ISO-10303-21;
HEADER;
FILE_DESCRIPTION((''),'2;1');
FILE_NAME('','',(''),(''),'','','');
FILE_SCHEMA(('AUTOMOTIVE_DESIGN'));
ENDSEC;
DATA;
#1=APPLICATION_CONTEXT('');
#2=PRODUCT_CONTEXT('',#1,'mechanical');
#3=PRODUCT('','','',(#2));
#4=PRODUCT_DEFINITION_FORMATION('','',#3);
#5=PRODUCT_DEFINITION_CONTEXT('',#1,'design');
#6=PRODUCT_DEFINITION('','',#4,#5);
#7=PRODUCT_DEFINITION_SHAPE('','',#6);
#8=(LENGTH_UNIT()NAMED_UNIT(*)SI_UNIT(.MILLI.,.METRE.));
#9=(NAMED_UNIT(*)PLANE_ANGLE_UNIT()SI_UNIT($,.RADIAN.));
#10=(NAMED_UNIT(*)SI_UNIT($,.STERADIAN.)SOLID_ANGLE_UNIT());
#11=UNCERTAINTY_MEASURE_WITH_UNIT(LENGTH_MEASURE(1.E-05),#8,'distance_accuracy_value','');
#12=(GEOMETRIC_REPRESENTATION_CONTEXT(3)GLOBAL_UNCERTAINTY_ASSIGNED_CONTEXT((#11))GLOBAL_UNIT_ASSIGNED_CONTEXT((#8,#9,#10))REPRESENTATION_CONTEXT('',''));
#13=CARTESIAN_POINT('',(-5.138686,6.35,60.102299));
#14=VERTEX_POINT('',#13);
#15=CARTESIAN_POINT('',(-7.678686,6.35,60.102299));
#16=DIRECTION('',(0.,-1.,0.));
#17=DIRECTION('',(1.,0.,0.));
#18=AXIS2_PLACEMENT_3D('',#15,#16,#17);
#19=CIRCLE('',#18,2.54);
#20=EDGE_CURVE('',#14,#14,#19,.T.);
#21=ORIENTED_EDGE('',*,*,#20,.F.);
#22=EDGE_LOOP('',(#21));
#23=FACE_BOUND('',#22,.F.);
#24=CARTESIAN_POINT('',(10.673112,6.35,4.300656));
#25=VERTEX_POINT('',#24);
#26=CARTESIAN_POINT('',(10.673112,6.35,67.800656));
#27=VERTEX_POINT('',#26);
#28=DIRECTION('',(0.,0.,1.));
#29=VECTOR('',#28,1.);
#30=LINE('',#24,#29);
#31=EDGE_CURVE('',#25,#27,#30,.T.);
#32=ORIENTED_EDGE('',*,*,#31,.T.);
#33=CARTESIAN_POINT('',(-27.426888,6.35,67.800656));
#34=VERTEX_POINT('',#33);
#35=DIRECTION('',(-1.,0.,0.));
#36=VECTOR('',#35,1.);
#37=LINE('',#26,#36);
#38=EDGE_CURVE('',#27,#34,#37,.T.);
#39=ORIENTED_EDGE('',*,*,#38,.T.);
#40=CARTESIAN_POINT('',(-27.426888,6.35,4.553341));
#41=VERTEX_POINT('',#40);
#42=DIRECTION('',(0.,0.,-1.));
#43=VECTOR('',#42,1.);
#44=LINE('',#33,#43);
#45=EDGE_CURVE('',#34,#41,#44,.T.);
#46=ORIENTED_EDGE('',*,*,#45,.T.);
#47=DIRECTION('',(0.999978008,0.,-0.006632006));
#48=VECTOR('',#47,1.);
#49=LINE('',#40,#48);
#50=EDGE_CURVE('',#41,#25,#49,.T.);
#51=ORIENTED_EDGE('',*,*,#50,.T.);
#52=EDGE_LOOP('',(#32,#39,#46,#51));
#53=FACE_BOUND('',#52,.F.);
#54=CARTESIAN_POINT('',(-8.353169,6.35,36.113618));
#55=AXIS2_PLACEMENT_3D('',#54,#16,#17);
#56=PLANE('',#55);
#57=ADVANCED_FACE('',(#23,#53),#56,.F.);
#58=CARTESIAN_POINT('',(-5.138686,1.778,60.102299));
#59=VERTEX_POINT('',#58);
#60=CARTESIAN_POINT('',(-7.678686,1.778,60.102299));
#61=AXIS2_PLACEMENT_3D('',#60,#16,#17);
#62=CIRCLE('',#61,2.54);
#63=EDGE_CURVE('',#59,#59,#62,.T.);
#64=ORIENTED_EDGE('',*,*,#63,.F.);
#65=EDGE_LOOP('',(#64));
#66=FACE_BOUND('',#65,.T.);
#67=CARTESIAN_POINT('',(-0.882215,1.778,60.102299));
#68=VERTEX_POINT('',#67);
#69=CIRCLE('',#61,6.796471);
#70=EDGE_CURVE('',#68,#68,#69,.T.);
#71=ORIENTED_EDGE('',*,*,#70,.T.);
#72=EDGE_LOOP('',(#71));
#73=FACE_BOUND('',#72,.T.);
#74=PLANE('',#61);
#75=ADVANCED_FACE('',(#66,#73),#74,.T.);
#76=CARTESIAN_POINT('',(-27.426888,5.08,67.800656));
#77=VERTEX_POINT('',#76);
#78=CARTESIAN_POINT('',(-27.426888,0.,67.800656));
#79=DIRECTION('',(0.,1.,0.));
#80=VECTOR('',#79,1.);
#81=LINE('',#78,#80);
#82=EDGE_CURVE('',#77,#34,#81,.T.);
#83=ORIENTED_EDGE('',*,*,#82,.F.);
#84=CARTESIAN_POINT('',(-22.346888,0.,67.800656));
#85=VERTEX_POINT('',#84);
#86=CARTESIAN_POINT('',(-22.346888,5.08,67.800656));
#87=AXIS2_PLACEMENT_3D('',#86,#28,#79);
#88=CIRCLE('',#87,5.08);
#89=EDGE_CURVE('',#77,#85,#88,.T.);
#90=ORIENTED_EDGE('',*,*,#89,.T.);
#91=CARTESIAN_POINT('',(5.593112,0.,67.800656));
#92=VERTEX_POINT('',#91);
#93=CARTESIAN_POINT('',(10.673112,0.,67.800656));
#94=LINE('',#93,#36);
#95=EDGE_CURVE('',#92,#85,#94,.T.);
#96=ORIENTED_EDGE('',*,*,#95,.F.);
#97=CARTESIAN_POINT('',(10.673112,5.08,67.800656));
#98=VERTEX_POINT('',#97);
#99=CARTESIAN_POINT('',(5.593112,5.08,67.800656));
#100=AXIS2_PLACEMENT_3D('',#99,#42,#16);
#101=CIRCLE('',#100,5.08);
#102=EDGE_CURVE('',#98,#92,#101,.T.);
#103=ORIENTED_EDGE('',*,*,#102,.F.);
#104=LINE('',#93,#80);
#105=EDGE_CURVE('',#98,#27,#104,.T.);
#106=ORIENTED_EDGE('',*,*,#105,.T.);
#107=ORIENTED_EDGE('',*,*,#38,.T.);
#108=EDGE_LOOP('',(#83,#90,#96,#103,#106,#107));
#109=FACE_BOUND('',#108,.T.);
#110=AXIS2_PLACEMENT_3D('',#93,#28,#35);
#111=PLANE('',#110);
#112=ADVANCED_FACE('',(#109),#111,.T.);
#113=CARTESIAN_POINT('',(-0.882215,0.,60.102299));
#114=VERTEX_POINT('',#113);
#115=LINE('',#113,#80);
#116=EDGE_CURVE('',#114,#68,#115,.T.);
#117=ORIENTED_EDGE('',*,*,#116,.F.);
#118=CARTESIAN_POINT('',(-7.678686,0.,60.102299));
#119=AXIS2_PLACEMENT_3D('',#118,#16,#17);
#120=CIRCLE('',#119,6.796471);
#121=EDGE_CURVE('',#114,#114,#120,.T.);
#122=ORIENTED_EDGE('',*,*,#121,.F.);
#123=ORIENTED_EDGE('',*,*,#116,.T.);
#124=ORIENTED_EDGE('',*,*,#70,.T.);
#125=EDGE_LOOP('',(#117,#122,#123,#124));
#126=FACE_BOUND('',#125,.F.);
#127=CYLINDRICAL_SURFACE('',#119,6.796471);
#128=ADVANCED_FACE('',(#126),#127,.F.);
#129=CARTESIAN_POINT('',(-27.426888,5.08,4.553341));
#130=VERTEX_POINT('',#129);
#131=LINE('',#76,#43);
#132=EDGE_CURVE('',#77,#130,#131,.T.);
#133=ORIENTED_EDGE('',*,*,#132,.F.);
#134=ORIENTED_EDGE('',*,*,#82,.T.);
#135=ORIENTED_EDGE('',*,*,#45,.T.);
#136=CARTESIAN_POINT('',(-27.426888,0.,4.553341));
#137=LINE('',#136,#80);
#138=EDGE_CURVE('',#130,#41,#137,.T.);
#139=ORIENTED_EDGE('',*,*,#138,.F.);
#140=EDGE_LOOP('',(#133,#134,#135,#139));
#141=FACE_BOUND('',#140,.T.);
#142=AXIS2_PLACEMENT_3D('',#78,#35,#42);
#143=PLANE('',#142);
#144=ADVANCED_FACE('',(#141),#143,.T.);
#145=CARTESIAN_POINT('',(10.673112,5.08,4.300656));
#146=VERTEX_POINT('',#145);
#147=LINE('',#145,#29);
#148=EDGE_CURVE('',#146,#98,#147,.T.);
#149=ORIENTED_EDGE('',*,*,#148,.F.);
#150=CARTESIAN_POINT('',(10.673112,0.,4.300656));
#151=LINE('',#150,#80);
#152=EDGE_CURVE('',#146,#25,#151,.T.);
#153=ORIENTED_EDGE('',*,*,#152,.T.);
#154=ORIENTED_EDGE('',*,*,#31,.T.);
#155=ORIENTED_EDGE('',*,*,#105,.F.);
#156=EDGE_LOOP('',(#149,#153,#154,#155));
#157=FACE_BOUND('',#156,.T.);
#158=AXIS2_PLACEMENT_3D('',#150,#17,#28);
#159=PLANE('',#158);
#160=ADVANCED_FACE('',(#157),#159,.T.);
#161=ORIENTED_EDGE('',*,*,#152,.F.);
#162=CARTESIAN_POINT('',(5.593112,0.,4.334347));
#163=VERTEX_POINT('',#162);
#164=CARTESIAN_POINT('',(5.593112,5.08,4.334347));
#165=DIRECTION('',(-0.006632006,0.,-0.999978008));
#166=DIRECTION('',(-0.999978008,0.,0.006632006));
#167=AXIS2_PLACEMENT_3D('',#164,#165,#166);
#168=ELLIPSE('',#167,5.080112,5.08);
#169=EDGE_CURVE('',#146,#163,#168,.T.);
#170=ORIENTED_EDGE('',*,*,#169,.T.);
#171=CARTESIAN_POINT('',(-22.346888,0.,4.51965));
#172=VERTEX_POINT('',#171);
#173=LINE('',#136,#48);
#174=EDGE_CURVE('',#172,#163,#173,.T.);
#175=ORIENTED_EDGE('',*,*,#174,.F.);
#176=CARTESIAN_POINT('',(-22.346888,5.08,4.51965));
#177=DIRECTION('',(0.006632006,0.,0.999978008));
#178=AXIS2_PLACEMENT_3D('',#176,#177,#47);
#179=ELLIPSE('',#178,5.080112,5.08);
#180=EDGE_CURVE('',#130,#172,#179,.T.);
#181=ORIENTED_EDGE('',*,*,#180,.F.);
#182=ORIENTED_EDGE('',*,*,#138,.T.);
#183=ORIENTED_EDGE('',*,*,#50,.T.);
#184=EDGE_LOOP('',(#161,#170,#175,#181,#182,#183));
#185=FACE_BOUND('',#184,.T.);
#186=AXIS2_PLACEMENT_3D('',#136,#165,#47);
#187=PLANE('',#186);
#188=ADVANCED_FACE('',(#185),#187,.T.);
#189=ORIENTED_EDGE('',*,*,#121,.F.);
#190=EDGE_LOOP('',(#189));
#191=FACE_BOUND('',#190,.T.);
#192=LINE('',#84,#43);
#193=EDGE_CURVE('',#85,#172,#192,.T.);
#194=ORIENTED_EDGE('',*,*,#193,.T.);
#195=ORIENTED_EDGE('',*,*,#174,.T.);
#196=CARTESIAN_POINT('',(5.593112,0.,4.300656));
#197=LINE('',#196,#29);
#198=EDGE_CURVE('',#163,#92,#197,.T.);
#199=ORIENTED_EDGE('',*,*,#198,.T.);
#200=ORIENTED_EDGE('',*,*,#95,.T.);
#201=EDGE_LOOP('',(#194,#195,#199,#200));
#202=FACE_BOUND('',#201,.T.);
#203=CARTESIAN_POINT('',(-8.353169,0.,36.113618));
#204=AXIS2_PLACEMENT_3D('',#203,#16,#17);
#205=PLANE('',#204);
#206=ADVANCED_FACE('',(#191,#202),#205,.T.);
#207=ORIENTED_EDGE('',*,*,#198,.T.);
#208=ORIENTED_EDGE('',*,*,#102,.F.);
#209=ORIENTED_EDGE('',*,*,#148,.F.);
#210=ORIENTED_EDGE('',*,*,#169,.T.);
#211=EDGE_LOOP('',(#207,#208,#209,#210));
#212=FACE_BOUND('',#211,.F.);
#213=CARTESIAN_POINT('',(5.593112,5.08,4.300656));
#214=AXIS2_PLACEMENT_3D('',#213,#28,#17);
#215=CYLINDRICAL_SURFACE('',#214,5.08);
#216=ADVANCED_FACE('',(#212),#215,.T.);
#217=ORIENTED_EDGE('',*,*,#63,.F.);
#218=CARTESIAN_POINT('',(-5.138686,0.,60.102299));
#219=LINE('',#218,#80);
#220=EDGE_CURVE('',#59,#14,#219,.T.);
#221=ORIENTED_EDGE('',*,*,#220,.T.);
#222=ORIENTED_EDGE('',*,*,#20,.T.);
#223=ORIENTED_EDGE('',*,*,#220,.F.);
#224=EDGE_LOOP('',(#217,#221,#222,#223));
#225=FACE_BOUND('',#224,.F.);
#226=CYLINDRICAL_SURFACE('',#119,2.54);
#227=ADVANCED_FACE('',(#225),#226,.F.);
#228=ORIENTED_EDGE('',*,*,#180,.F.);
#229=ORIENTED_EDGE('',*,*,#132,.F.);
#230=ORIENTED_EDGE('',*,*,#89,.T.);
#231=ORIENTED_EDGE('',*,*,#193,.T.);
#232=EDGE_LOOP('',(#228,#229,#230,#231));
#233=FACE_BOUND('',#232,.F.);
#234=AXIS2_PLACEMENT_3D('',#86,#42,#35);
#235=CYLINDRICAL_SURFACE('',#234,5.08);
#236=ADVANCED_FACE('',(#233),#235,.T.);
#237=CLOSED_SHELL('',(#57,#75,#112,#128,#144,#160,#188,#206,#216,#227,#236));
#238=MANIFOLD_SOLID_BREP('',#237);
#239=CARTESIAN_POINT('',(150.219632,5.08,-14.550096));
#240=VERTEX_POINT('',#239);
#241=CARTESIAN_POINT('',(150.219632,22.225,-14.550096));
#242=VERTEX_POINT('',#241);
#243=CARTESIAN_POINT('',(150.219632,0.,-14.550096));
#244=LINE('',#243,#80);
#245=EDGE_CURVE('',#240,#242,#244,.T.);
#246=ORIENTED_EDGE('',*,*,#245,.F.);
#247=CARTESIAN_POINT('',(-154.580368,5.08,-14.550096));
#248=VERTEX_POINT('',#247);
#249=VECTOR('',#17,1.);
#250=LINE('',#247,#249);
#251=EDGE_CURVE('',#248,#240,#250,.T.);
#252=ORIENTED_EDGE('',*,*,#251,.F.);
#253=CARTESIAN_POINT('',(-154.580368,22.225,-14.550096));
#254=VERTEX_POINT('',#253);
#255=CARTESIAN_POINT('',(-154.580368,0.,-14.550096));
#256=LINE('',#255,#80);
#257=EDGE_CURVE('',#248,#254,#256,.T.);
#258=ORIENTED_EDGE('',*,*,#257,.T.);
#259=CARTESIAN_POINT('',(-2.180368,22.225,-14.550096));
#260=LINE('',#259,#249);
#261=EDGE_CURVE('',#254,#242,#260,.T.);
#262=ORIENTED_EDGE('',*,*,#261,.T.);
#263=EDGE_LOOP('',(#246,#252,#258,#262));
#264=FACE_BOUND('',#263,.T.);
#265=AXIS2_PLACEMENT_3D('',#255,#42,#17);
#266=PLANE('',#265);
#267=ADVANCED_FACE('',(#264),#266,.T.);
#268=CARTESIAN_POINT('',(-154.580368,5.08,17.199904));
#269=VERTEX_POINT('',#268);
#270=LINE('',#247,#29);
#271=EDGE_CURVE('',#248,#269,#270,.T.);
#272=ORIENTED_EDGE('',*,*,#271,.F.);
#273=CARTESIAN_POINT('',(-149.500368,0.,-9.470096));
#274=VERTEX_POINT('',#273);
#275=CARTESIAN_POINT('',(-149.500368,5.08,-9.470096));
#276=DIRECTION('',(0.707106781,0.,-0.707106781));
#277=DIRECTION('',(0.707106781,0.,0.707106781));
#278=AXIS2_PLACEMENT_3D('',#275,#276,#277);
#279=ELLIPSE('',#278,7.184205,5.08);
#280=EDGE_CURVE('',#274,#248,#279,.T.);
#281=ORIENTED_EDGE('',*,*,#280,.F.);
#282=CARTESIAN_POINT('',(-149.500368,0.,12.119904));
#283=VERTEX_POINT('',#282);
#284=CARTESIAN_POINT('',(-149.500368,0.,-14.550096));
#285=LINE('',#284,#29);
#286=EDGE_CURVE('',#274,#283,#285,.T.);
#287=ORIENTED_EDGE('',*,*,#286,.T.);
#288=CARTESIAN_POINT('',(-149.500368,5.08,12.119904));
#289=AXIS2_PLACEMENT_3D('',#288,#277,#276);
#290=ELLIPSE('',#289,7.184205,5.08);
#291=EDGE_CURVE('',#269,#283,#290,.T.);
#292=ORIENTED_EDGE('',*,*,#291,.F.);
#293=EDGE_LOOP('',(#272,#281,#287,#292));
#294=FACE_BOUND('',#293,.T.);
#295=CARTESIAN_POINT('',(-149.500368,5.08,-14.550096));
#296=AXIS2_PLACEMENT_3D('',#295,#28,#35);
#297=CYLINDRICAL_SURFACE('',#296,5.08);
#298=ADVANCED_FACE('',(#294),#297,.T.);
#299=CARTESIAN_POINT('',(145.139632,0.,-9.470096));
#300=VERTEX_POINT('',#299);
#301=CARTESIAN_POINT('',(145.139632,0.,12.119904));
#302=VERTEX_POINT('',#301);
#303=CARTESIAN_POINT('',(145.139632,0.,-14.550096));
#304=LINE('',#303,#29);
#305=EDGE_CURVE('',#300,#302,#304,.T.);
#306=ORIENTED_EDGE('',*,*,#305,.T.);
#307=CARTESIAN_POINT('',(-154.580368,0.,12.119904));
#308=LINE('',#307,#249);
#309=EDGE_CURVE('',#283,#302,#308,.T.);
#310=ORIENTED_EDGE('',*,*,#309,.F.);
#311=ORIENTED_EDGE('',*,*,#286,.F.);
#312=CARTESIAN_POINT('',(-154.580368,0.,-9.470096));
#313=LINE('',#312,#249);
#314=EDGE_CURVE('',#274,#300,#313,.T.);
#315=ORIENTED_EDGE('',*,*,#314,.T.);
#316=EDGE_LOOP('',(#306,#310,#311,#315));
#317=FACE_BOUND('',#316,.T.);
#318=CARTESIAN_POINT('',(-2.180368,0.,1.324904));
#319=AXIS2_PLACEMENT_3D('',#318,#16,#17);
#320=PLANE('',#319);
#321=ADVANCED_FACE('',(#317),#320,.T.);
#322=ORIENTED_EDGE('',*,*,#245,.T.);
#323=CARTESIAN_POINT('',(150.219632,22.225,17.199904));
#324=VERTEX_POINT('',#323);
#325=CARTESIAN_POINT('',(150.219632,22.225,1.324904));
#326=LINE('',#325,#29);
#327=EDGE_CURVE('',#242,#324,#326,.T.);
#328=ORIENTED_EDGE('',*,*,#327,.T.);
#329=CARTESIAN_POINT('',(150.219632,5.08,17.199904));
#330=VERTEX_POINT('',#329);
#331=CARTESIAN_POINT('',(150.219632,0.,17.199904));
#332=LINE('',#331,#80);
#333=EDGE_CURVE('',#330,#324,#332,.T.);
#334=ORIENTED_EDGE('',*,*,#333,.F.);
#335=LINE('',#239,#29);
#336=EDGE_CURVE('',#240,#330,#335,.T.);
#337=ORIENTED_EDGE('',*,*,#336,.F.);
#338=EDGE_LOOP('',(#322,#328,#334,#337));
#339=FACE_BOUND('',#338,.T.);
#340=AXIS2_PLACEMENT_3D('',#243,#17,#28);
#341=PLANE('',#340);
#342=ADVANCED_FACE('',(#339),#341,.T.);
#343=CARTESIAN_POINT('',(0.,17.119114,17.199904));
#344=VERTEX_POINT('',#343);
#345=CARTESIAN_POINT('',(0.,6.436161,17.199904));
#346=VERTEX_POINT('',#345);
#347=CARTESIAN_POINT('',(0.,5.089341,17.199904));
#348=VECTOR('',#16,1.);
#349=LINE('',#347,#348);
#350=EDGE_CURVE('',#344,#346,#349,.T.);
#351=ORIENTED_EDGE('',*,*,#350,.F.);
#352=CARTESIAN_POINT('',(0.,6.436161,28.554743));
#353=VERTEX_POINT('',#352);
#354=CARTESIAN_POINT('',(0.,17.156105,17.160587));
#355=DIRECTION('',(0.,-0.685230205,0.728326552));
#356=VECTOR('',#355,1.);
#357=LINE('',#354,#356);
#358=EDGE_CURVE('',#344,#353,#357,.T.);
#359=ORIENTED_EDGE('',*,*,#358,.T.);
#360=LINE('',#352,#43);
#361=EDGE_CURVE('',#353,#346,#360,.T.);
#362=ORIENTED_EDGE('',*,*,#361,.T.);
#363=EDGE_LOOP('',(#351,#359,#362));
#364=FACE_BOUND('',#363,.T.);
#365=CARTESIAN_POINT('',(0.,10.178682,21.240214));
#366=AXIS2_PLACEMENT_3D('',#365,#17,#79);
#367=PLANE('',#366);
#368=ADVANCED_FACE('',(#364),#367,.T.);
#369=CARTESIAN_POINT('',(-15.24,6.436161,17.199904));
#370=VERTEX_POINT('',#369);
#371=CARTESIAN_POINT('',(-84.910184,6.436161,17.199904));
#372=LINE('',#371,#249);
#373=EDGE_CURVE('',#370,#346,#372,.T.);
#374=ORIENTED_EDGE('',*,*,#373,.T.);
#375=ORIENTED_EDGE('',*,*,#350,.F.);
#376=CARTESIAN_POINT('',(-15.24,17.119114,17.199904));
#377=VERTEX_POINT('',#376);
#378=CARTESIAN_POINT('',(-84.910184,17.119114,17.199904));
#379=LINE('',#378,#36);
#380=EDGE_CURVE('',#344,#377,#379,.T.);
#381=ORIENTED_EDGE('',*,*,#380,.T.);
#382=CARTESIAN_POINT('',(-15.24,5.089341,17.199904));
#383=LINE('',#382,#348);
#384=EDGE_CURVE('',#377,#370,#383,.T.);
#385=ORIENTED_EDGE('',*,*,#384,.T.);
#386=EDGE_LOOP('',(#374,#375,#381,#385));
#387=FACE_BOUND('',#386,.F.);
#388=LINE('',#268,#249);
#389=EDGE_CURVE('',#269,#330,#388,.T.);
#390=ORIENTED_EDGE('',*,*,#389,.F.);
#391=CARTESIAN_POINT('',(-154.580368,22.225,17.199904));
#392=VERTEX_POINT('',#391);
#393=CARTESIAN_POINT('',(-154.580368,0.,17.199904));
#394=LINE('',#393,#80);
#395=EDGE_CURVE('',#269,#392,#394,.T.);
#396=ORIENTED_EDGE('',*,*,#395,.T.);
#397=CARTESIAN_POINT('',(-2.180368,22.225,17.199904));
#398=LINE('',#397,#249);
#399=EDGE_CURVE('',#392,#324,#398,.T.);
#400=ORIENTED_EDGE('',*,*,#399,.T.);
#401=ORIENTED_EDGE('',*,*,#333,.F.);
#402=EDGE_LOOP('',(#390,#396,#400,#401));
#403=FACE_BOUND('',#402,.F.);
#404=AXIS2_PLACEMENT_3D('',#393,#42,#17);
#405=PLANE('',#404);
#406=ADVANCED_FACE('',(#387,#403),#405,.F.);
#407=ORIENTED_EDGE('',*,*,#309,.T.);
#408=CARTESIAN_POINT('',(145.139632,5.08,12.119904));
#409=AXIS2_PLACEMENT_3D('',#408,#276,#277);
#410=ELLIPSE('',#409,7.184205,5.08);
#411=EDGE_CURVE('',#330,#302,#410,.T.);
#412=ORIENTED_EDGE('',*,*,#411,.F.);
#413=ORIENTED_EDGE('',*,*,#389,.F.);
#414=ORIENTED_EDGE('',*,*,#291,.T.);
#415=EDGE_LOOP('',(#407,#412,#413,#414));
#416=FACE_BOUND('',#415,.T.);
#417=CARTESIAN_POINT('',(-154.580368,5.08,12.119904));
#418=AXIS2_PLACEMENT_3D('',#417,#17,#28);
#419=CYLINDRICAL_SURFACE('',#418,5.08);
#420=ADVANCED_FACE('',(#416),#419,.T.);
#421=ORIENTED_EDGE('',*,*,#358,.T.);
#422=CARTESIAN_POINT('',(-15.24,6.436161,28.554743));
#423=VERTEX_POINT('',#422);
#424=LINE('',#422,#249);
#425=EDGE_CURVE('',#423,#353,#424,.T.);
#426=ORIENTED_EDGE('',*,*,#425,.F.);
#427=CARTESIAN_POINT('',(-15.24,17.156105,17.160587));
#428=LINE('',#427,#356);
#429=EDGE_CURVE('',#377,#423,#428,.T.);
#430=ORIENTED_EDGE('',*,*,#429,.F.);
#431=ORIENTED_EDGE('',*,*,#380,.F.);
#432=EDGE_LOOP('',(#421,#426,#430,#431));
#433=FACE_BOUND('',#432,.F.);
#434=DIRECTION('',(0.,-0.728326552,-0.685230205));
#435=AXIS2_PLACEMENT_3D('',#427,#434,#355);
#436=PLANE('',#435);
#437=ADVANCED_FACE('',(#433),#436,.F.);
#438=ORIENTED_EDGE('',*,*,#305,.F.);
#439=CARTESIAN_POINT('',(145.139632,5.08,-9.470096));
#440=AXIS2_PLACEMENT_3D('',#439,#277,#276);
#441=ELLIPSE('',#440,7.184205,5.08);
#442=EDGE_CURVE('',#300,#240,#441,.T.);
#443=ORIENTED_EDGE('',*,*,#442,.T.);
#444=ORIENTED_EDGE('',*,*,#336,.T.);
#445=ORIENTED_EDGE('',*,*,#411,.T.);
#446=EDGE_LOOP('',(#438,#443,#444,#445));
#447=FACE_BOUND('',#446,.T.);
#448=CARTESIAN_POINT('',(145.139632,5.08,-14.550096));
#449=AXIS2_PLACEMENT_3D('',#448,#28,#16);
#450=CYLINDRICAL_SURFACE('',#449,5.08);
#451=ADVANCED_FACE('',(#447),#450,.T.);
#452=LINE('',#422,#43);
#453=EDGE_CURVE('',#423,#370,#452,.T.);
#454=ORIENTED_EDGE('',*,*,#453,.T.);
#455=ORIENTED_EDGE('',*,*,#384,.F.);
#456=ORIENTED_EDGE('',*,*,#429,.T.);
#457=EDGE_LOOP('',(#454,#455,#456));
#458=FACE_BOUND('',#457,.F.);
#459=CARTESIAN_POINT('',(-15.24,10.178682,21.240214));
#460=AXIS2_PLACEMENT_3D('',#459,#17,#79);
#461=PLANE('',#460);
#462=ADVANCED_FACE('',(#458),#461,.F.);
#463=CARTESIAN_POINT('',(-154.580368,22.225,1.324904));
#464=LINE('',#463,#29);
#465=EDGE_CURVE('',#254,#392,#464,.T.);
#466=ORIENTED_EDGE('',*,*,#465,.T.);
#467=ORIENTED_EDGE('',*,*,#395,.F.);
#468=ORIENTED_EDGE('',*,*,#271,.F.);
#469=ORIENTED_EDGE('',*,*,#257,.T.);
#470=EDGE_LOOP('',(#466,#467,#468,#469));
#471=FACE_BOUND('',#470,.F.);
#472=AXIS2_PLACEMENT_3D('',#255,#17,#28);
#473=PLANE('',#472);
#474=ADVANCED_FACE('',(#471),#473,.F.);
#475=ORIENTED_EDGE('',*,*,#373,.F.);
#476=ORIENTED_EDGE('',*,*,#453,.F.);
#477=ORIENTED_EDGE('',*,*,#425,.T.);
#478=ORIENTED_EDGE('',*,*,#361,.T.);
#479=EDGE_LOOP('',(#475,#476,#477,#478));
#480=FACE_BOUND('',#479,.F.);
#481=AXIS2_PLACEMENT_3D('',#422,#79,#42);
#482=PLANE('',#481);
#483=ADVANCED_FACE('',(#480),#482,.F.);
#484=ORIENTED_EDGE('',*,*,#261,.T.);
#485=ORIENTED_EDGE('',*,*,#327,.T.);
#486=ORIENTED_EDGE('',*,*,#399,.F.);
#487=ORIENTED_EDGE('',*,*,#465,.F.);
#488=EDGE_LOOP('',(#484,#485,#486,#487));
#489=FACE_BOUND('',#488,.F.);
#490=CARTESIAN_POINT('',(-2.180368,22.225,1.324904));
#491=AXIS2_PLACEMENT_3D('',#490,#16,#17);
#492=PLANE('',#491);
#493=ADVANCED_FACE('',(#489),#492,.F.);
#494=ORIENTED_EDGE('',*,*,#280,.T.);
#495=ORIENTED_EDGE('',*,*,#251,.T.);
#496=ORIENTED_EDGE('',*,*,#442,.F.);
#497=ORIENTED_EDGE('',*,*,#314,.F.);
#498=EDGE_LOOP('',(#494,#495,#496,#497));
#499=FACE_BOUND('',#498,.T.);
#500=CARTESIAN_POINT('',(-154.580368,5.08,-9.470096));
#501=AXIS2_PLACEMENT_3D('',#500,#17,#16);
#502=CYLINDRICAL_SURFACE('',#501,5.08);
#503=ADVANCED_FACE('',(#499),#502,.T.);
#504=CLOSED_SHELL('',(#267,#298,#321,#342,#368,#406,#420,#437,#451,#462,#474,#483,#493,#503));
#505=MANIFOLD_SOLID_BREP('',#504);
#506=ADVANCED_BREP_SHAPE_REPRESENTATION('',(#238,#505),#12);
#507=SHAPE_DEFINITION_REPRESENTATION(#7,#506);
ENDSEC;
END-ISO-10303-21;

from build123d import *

# Parameters (mm, degrees)
F0_W     = 304.8
F0_H     = 31.75
F1_DEPTH = 22.225
F3_DEPTH = 6.35
F4_R     = 2.54
F5_DEPTH = 25.4
F4_R_2   = 6.796471
F6_DEPTH = 1.778
F9_DEPTH = 15.24
F10_R    = 5.08
F10_2_R  = 5.08


with BuildPart() as f1:
    # F0 (on Front) → F1 (new body)
    with BuildSketch(Plane.XZ):
        with Locations((-2.180368, 1.324904)):
            Rectangle(F0_W, F0_H)
    extrude(amount=-F1_DEPTH)

    # F8 (on offset) → F9 (join)
    with BuildSketch(Plane.YZ.offset(-15.24)):
        Polygon((17.156105, 17.160587), (6.436161, 28.554743), (6.436161, 17.160587), align=None)
    extrude(amount=F9_DEPTH)

    # F10#2
    f10_2_edges = [f1.edges().sort_by_distance(p)[0] for p in [
        (-2.180368, 0, -14.550096),
        (-2.180368, 0, 17.199904),
        (150.219632, 0, 1.324904),
        (-154.580368, 0, 1.324904),
    ]]
    fillet(f10_2_edges, radius=F10_2_R)


with BuildPart() as f3:
    # F2 (on Front) → F3 (new body)
    with BuildSketch(Plane.XZ):
        Polygon((10.673112, 67.800656), (-27.426888, 67.800656), (-27.426888, 4.553341), (10.673112, 4.300656), align=None)
    extrude(amount=-F3_DEPTH)

    # F4 (on Front) → F5 (cut)
    with BuildSketch(Plane.XZ):
        with Locations((-7.678686, 60.102299)):
            Circle(F4_R)
    extrude(amount=-F5_DEPTH, mode=Mode.SUBTRACT)

    # F4 (on Front) → F6 (cut)
    with BuildSketch(Plane.XZ):
        with Locations((-7.678686, 60.102299)):
            Circle(F4_R_2)
        with Locations((-7.678686, 60.102299)):
            Circle(F4_R, mode=Mode.SUBTRACT)
    extrude(amount=-F6_DEPTH, mode=Mode.SUBTRACT)

    # F10
    f10_edges = [f3.edges().sort_by_distance(p)[0] for p in [
        (10.673112, 0, 36.050656),
        (-27.426888, 0, 36.176998),
    ]]
    fillet(f10_edges, radius=F10_R)


solid = Compound([f1.part, f3.part])
